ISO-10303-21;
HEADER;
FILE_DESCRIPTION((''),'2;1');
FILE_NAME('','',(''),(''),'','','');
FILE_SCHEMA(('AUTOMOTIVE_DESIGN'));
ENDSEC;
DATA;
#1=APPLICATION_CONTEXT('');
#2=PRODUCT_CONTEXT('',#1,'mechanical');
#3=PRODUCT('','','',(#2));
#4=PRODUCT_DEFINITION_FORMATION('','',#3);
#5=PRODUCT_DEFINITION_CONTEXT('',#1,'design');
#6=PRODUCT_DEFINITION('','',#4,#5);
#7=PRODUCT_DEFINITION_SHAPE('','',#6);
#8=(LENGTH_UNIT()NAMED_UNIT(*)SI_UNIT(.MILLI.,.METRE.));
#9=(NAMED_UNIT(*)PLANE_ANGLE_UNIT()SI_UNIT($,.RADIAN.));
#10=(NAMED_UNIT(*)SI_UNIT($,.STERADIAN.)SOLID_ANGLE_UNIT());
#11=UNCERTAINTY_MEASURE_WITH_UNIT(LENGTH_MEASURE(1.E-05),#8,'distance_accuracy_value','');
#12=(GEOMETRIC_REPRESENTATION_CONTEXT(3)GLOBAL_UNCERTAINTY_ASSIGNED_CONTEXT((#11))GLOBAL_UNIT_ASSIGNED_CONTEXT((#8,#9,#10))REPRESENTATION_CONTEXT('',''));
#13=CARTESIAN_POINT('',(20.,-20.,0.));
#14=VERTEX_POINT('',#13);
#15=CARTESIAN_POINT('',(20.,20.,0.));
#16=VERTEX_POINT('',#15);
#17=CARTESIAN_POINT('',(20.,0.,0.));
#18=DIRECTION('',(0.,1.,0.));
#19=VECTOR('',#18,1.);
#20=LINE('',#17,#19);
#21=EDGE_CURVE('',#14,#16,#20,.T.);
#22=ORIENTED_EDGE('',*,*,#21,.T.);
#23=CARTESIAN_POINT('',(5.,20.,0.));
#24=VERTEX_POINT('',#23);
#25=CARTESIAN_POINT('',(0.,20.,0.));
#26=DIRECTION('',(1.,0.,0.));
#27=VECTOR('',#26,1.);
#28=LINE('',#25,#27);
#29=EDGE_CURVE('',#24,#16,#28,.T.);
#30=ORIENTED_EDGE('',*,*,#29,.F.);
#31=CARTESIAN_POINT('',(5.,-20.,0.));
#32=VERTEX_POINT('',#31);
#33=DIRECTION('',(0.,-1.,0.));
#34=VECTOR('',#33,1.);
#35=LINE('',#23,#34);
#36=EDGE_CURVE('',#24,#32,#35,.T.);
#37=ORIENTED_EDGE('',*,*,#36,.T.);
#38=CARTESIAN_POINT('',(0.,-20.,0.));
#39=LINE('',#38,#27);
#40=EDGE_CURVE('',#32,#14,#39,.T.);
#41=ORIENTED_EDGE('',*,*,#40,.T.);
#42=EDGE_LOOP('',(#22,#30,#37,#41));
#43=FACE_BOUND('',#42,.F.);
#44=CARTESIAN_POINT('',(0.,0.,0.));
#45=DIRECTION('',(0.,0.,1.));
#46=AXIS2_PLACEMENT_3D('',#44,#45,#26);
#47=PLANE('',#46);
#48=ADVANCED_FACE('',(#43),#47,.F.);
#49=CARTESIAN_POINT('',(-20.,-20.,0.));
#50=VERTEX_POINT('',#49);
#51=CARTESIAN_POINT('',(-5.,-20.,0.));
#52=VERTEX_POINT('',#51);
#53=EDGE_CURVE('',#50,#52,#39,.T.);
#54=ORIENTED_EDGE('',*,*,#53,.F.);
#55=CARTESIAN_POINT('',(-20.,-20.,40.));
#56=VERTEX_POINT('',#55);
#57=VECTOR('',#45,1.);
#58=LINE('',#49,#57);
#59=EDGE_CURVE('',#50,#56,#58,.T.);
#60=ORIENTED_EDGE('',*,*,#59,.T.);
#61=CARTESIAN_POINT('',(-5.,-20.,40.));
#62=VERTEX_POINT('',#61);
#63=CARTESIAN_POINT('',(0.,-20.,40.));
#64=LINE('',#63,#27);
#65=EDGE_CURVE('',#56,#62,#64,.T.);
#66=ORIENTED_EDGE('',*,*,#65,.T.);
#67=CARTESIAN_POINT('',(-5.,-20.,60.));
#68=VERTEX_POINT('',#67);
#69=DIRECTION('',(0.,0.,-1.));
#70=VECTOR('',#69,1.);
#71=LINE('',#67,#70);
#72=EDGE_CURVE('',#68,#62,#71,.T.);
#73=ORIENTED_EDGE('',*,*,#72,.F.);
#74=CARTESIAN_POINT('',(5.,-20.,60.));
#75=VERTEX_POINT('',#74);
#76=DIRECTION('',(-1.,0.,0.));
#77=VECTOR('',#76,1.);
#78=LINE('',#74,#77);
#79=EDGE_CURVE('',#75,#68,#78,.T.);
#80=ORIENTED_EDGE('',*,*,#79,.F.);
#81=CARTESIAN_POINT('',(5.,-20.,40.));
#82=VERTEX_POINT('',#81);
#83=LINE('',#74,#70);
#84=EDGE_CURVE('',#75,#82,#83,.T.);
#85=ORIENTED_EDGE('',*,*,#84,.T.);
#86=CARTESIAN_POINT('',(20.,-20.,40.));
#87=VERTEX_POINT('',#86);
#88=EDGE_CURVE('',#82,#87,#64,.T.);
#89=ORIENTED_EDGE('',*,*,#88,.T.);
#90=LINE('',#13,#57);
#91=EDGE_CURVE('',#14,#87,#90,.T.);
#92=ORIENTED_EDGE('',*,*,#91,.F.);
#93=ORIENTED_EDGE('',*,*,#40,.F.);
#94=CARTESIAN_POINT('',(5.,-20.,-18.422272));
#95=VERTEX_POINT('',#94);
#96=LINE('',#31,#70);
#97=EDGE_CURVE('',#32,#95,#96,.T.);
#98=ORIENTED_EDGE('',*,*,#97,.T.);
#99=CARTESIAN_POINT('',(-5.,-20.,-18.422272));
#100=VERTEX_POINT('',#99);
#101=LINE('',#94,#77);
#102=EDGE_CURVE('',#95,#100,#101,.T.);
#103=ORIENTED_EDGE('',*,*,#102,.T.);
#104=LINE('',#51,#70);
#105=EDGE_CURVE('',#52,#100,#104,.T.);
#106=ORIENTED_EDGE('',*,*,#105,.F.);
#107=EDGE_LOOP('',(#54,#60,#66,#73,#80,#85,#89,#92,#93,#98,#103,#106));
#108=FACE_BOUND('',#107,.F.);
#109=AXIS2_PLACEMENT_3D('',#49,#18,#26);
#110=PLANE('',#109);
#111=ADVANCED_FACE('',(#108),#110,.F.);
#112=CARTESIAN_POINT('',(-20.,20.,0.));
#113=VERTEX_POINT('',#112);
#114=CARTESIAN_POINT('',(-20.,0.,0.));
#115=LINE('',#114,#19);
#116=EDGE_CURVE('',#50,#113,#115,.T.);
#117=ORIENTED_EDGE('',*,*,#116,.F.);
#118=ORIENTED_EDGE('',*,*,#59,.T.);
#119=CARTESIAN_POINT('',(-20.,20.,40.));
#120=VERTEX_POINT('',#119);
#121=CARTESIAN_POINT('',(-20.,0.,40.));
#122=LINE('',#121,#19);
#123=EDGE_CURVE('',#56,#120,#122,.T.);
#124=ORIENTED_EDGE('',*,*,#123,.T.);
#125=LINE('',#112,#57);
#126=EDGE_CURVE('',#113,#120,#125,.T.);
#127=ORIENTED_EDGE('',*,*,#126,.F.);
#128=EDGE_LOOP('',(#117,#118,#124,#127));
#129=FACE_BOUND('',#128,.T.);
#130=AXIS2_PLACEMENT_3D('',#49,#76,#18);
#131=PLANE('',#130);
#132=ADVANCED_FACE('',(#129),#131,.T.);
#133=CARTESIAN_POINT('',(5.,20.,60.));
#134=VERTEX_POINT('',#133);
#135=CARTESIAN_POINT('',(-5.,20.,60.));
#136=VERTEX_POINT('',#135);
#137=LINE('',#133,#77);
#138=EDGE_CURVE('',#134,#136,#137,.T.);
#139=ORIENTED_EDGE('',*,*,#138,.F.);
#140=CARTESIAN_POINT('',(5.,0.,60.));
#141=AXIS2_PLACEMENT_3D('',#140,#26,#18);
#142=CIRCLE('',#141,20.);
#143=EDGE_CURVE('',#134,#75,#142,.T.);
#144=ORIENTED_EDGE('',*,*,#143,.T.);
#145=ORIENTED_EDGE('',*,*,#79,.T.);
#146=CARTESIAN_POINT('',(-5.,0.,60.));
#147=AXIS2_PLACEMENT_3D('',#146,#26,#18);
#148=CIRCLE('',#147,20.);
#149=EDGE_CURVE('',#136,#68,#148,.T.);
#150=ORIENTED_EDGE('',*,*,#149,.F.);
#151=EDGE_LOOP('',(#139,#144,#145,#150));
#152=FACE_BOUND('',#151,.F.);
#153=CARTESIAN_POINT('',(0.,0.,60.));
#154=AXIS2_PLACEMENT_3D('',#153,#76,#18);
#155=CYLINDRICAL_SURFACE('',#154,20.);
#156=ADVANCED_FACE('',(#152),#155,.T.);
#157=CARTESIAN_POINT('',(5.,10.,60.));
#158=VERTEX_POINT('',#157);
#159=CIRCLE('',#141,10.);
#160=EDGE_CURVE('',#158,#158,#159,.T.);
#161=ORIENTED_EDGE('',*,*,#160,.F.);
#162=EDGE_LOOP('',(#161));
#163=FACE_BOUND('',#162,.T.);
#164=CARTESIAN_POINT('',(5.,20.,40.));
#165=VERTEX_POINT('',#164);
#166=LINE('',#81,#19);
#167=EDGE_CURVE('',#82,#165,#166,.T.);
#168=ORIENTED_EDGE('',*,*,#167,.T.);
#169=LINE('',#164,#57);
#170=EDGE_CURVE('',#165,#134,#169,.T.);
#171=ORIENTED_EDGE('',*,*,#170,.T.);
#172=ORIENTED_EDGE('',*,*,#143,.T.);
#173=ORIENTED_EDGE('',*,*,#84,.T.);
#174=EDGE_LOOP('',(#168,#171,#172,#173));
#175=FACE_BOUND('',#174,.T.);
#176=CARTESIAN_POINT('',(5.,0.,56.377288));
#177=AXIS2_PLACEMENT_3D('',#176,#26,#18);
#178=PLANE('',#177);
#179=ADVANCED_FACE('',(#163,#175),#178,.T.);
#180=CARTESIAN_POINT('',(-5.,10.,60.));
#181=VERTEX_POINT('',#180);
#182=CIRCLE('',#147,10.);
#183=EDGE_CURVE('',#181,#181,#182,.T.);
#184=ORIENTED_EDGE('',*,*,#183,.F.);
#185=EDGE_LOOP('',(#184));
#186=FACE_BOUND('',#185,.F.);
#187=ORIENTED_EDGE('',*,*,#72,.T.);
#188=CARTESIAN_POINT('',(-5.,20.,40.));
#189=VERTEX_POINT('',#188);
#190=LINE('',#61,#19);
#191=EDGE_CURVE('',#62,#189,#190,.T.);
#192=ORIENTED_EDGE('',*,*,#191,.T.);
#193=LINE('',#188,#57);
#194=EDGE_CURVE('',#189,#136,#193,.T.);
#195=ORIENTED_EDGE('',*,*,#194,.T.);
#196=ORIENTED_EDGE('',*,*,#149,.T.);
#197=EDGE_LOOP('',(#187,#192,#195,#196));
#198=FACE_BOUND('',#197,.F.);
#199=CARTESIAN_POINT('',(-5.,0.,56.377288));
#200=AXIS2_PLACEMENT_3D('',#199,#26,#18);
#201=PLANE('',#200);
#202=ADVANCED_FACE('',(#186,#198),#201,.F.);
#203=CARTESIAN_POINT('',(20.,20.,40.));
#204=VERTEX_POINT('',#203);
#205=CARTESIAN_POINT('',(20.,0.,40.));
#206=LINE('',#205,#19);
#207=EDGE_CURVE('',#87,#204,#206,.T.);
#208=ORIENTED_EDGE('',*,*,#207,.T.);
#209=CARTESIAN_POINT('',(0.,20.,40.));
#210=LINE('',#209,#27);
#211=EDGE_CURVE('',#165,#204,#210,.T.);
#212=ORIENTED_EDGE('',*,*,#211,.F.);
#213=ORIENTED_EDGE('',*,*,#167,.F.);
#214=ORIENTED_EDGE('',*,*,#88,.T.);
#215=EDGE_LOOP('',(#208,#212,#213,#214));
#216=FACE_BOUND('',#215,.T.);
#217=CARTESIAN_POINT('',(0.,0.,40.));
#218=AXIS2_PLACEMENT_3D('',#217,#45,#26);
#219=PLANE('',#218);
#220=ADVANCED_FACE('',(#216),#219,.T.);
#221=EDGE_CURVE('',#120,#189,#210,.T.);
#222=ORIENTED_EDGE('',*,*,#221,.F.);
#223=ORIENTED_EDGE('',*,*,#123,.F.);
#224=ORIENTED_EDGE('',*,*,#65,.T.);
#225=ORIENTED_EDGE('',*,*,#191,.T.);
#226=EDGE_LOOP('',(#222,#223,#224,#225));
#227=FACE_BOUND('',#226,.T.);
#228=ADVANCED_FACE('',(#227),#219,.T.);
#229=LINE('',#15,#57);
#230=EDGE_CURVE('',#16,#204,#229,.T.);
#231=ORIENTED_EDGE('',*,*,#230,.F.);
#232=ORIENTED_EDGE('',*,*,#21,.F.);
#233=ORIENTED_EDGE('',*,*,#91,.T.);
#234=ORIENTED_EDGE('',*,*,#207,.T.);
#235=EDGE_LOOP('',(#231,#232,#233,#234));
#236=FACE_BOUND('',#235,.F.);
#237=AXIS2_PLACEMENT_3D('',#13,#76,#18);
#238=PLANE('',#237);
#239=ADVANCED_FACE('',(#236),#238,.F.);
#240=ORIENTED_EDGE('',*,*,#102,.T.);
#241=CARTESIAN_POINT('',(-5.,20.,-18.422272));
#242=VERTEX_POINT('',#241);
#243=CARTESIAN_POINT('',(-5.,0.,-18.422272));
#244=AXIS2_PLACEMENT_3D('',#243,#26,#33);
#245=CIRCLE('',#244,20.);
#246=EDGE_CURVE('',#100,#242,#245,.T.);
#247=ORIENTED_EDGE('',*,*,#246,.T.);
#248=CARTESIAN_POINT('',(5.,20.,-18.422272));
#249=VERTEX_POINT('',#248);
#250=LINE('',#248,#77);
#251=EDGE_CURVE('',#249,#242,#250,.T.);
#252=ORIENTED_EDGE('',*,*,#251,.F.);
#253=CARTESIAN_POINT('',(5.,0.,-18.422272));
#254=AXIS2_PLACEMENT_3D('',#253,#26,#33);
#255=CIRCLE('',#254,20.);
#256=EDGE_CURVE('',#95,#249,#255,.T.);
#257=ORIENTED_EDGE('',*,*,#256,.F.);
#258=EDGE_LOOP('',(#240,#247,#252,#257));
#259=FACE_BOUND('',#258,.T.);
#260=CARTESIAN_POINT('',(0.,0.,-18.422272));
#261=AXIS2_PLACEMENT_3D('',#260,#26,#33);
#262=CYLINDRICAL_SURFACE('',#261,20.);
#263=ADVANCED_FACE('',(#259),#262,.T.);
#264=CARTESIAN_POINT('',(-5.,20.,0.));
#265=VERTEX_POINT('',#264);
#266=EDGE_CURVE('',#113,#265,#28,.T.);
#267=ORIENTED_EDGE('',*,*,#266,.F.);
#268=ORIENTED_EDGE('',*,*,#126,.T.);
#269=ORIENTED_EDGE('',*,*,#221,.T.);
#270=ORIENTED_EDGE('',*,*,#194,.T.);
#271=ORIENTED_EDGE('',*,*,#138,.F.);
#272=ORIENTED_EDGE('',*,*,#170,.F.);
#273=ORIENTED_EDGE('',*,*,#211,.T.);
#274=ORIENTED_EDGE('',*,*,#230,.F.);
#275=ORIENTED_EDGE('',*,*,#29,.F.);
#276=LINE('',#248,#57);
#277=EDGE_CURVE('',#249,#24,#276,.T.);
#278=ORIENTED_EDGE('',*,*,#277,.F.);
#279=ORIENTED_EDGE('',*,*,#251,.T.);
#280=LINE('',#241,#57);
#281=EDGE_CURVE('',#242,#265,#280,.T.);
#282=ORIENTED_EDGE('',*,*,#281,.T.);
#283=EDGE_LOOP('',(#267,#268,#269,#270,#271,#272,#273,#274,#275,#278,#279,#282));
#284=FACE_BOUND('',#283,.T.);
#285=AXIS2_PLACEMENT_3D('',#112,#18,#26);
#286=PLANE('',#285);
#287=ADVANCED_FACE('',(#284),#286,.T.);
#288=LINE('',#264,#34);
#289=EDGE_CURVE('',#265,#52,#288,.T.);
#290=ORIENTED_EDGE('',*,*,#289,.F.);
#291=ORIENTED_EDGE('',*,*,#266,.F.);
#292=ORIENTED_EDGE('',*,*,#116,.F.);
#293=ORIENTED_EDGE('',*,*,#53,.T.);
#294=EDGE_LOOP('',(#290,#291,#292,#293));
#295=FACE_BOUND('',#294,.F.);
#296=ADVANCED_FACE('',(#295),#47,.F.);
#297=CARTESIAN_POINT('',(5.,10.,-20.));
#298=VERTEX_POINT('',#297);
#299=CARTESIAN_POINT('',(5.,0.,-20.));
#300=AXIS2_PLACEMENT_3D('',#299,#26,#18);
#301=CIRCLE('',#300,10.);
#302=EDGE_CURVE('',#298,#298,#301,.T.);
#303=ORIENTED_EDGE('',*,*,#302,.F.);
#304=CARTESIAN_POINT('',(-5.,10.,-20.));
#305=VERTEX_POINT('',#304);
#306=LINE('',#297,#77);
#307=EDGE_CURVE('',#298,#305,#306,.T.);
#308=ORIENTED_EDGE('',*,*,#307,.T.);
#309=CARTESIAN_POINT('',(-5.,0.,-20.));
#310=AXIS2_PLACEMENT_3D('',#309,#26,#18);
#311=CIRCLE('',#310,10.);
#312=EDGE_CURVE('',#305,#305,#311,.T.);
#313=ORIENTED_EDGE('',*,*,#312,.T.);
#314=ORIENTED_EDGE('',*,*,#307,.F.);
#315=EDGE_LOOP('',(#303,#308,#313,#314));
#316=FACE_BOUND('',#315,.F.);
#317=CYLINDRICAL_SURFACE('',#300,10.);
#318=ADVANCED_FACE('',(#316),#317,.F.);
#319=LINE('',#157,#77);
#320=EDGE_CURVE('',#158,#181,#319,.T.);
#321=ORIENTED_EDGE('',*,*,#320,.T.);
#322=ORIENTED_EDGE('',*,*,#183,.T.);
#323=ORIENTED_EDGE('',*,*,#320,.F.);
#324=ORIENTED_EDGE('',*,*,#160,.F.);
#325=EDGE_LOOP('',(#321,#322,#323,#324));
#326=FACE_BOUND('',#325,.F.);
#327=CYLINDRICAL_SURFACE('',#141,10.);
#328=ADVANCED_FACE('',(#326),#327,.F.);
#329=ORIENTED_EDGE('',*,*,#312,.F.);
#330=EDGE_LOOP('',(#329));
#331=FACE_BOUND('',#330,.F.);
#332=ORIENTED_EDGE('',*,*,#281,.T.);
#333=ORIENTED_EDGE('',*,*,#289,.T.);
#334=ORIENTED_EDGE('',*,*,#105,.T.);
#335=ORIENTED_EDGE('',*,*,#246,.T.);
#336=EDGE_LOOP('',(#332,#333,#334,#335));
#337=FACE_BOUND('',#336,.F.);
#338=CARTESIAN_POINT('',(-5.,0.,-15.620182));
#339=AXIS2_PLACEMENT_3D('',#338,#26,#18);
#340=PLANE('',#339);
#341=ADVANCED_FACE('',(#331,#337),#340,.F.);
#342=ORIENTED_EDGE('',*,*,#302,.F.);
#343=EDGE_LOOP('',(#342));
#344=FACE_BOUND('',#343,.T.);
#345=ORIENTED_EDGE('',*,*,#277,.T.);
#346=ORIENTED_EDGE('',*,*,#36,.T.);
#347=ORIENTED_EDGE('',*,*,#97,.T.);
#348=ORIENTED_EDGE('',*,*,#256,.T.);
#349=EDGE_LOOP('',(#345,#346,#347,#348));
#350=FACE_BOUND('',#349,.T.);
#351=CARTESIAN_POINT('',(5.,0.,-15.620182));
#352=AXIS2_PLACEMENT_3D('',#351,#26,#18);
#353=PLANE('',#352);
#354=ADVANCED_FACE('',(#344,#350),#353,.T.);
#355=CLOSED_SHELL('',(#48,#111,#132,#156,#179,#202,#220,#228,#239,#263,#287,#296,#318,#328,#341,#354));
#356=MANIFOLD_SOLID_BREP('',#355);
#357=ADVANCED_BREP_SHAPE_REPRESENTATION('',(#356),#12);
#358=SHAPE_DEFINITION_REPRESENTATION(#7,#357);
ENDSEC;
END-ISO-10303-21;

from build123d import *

# Parameters (mm, degrees)
F0_W     = 40
F0_H     = 40
F1_DEPTH = 40
F3_DEPTH = 5
F4_R     = 10
F5_DEPTH = 25


with BuildPart() as f1:
    # F0 (on Top) → F1 (new body)
    with BuildSketch(Plane.XY):
        Rectangle(F0_W, F0_H)
    extrude(amount=F1_DEPTH)

    # F2 (on Right) → F3 (join, symmetric)
    with BuildSketch(Plane.YZ):
        with BuildLine():
            Line((-20, 60), (-20, 40))
            Line((-20, 40), (20, 40))
            Line((20, 40), (20, 60))
            ThreePointArc((20, 60), (0, 80), (-20, 60))
        make_face()
        with BuildLine():
            Line((20, -18.422272), (20, 0))
            Line((20, 0), (-20, 0))
            Line((-20, 0), (-20, -18.422272))
            ThreePointArc((-20, -18.422272), (0, -38.422272), (20, -18.422272))
        make_face()
    extrude(amount=F3_DEPTH, both=True)

    # F4 (on face) → F5 (cut)
    with BuildSketch(Plane.YZ.offset(5)):
        with Locations((0, 60)):
            Circle(F4_R)
        with Locations((0, -20)):
            Circle(F4_R)
    extrude(amount=-F5_DEPTH, mode=Mode.SUBTRACT)


solid = f1.part
